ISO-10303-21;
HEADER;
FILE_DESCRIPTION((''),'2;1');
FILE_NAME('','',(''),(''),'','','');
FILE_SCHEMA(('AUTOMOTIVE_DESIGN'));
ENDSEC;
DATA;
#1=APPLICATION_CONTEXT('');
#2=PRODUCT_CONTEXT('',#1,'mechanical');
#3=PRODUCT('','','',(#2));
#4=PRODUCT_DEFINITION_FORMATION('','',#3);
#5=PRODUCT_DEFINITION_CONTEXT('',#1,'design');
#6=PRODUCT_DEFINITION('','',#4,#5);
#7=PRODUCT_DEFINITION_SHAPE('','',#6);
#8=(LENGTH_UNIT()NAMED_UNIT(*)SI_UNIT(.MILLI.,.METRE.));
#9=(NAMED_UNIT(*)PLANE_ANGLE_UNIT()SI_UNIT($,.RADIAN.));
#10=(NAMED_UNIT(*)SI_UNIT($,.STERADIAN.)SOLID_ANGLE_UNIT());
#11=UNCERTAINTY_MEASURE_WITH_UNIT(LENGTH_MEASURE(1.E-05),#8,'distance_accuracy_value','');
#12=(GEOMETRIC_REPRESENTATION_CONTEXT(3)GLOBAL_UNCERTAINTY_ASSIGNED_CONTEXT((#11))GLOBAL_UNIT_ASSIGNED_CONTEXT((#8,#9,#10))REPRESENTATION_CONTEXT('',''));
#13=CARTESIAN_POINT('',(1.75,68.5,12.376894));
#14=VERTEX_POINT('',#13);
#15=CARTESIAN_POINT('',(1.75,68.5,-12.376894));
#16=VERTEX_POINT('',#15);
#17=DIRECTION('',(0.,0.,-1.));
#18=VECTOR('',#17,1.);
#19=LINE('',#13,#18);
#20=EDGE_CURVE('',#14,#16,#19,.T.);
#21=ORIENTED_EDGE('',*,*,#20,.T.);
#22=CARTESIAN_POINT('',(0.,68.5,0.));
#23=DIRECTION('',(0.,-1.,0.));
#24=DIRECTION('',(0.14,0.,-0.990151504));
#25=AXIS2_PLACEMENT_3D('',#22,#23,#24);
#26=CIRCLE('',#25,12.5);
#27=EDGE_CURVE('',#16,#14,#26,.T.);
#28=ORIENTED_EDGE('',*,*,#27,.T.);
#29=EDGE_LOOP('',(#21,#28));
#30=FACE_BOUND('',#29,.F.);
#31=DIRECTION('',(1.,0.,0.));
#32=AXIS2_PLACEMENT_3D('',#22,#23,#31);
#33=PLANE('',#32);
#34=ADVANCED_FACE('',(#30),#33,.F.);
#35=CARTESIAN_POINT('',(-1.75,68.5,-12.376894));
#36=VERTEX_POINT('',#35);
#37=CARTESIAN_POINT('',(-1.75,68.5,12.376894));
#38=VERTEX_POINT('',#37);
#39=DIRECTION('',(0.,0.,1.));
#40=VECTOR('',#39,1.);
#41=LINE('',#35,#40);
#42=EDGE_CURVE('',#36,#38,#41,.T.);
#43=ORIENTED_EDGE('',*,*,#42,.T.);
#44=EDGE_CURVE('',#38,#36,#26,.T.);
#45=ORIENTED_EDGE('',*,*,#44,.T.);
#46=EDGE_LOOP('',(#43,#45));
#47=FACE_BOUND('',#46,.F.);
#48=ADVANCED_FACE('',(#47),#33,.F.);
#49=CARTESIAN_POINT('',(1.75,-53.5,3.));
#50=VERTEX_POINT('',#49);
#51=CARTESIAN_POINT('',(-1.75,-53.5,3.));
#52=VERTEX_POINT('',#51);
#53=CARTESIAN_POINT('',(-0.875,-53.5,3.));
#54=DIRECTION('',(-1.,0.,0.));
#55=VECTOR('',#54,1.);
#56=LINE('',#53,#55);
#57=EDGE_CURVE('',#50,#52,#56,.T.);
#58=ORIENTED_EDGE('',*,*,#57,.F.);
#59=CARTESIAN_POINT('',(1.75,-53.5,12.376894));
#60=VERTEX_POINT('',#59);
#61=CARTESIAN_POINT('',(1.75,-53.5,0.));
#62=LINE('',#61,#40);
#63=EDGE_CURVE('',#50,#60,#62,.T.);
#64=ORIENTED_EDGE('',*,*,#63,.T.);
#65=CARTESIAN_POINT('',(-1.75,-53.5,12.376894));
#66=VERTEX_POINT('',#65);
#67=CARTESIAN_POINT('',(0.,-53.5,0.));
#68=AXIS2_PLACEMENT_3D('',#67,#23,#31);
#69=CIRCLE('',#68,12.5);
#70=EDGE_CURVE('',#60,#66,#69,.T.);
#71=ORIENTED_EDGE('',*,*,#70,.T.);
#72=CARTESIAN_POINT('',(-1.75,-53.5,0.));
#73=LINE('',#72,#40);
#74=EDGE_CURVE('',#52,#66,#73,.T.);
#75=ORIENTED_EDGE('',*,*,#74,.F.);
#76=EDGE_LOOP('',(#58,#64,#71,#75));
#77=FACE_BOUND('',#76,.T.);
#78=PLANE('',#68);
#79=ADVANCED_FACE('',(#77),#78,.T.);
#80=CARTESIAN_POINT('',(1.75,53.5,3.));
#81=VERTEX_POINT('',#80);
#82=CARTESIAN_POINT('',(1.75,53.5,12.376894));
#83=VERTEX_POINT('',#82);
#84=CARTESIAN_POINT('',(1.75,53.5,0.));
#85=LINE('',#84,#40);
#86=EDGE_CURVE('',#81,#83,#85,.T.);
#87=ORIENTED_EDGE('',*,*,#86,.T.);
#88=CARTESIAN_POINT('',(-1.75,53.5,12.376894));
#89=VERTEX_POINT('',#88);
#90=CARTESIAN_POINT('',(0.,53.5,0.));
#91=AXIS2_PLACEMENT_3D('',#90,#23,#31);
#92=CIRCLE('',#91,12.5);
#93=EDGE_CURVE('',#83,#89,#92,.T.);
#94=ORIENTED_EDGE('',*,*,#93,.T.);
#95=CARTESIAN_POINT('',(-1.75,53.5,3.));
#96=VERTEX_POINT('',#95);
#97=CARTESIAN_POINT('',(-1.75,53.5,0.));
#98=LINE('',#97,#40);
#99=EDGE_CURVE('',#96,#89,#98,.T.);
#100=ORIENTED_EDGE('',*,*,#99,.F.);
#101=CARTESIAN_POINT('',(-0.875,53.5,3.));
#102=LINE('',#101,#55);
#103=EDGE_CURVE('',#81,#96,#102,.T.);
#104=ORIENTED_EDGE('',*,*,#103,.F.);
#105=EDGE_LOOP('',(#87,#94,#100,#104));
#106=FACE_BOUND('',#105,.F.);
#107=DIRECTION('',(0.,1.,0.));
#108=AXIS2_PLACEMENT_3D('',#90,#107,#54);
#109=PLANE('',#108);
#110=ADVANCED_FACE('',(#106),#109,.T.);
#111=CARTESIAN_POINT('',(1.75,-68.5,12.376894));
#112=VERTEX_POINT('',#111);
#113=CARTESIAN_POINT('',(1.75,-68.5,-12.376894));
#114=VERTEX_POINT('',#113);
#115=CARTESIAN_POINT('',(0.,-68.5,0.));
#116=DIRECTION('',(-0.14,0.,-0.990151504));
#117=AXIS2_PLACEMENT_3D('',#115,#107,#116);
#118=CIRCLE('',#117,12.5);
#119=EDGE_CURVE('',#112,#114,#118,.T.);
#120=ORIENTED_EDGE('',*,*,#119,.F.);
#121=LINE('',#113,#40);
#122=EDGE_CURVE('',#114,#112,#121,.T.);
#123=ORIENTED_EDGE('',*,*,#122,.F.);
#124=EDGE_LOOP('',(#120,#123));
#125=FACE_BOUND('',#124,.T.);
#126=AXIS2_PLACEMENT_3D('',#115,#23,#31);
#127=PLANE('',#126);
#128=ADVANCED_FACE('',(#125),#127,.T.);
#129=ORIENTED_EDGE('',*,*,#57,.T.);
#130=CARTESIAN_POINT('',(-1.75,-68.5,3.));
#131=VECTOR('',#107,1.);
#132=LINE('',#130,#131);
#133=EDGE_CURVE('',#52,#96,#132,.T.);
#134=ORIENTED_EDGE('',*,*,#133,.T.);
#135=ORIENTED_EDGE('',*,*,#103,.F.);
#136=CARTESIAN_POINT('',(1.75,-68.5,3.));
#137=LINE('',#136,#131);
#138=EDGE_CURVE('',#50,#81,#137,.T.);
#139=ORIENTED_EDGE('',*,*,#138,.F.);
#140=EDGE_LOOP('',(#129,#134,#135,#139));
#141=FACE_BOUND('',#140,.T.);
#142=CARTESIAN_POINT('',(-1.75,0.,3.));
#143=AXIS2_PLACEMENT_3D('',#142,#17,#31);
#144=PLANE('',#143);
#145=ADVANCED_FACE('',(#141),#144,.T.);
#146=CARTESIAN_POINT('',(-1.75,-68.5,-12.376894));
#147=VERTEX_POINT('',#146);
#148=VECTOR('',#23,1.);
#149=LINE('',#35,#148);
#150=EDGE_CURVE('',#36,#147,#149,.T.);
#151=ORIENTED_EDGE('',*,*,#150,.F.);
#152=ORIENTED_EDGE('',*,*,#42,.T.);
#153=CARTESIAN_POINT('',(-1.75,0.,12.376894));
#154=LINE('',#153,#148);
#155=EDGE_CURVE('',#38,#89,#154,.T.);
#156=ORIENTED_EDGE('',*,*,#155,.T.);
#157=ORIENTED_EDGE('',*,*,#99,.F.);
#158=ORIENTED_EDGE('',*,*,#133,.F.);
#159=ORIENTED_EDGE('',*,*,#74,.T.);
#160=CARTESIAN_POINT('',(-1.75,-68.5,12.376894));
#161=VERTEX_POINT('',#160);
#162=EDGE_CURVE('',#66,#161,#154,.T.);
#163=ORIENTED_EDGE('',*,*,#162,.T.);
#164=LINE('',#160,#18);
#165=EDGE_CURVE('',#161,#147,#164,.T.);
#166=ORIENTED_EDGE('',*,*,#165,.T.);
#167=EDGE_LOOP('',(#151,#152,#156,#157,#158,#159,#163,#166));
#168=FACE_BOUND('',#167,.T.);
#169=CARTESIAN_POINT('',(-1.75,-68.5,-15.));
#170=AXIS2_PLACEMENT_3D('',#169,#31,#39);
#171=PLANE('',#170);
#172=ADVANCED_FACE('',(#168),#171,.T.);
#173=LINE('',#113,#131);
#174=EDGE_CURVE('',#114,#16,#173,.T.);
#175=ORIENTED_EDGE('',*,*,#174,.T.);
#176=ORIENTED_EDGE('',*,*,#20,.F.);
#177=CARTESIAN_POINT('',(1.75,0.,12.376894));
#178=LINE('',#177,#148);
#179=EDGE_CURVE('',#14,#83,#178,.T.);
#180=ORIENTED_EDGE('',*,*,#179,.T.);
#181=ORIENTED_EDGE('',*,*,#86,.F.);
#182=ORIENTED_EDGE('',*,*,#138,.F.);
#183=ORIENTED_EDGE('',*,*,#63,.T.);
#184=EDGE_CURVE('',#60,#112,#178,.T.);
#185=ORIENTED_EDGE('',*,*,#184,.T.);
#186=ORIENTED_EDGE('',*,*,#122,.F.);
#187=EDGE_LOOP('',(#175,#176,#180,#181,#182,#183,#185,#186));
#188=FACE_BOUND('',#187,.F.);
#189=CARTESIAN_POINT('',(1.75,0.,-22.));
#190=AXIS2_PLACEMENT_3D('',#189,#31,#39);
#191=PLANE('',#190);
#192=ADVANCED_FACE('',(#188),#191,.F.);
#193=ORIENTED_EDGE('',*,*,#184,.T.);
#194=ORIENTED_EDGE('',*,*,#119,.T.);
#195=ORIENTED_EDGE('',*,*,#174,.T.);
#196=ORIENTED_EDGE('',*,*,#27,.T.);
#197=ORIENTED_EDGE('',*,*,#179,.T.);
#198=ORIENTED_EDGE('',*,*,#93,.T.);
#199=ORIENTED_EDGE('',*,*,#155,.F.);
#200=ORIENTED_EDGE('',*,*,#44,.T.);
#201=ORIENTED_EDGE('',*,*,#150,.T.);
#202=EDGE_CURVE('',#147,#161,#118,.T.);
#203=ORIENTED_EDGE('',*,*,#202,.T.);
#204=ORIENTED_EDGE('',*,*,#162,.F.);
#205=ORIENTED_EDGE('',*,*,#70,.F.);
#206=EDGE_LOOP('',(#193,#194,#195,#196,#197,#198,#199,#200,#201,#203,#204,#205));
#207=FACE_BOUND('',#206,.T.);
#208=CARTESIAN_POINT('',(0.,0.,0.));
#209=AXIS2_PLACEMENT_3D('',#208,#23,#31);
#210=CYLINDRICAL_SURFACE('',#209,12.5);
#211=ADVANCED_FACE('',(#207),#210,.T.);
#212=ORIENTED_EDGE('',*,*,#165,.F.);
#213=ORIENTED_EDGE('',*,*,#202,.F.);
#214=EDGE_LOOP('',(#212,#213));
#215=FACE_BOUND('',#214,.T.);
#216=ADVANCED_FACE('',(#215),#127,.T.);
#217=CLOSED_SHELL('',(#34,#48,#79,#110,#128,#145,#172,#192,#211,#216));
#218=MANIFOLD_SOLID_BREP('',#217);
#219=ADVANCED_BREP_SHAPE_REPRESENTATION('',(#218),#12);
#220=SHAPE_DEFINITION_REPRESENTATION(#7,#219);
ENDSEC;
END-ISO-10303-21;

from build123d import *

# Parameters (mm, degrees)
SKETCH_R          = 12.5
PAD_DEPTH         = 68.5
SKETCH001_W       = 3.5
SKETCH001_H       = 25
POCKET_DEPTH      = 68.501
POCKET_DEPTH_BACK = -68.501
SKETCH002_W       = 3.5
SKETCH002_H       = 30
POCKET001_DEPTH   = 15


with BuildPart() as part:
    # Sketch → Pad (new body, symmetric)
    with BuildSketch(Plane.XZ):
        Circle(SKETCH_R)
    extrude(amount=PAD_DEPTH, both=True)

    # Sketch001 → Pocket (cut, two sides)
    with BuildSketch(Plane.XZ) as pocket_sk:
        with Locations((0, -9.5)):
            Rectangle(SKETCH001_W, SKETCH001_H)
    extrude(amount=-POCKET_DEPTH, mode=Mode.SUBTRACT)
    extrude(pocket_sk.sketch, amount=-POCKET_DEPTH_BACK, mode=Mode.SUBTRACT)

    # Sketch002 → Pocket001 (cut)
    with BuildSketch(Plane.XZ.offset(68.5)):
        Rectangle(SKETCH002_W, SKETCH002_H)
    pocket001 = extrude(amount=-POCKET001_DEPTH, mode=Mode.SUBTRACT)

    # Mirrored: Pocket001 across XZ
    add(pocket001.mirror(Plane.XZ), mode=Mode.SUBTRACT)


solid = part.part
